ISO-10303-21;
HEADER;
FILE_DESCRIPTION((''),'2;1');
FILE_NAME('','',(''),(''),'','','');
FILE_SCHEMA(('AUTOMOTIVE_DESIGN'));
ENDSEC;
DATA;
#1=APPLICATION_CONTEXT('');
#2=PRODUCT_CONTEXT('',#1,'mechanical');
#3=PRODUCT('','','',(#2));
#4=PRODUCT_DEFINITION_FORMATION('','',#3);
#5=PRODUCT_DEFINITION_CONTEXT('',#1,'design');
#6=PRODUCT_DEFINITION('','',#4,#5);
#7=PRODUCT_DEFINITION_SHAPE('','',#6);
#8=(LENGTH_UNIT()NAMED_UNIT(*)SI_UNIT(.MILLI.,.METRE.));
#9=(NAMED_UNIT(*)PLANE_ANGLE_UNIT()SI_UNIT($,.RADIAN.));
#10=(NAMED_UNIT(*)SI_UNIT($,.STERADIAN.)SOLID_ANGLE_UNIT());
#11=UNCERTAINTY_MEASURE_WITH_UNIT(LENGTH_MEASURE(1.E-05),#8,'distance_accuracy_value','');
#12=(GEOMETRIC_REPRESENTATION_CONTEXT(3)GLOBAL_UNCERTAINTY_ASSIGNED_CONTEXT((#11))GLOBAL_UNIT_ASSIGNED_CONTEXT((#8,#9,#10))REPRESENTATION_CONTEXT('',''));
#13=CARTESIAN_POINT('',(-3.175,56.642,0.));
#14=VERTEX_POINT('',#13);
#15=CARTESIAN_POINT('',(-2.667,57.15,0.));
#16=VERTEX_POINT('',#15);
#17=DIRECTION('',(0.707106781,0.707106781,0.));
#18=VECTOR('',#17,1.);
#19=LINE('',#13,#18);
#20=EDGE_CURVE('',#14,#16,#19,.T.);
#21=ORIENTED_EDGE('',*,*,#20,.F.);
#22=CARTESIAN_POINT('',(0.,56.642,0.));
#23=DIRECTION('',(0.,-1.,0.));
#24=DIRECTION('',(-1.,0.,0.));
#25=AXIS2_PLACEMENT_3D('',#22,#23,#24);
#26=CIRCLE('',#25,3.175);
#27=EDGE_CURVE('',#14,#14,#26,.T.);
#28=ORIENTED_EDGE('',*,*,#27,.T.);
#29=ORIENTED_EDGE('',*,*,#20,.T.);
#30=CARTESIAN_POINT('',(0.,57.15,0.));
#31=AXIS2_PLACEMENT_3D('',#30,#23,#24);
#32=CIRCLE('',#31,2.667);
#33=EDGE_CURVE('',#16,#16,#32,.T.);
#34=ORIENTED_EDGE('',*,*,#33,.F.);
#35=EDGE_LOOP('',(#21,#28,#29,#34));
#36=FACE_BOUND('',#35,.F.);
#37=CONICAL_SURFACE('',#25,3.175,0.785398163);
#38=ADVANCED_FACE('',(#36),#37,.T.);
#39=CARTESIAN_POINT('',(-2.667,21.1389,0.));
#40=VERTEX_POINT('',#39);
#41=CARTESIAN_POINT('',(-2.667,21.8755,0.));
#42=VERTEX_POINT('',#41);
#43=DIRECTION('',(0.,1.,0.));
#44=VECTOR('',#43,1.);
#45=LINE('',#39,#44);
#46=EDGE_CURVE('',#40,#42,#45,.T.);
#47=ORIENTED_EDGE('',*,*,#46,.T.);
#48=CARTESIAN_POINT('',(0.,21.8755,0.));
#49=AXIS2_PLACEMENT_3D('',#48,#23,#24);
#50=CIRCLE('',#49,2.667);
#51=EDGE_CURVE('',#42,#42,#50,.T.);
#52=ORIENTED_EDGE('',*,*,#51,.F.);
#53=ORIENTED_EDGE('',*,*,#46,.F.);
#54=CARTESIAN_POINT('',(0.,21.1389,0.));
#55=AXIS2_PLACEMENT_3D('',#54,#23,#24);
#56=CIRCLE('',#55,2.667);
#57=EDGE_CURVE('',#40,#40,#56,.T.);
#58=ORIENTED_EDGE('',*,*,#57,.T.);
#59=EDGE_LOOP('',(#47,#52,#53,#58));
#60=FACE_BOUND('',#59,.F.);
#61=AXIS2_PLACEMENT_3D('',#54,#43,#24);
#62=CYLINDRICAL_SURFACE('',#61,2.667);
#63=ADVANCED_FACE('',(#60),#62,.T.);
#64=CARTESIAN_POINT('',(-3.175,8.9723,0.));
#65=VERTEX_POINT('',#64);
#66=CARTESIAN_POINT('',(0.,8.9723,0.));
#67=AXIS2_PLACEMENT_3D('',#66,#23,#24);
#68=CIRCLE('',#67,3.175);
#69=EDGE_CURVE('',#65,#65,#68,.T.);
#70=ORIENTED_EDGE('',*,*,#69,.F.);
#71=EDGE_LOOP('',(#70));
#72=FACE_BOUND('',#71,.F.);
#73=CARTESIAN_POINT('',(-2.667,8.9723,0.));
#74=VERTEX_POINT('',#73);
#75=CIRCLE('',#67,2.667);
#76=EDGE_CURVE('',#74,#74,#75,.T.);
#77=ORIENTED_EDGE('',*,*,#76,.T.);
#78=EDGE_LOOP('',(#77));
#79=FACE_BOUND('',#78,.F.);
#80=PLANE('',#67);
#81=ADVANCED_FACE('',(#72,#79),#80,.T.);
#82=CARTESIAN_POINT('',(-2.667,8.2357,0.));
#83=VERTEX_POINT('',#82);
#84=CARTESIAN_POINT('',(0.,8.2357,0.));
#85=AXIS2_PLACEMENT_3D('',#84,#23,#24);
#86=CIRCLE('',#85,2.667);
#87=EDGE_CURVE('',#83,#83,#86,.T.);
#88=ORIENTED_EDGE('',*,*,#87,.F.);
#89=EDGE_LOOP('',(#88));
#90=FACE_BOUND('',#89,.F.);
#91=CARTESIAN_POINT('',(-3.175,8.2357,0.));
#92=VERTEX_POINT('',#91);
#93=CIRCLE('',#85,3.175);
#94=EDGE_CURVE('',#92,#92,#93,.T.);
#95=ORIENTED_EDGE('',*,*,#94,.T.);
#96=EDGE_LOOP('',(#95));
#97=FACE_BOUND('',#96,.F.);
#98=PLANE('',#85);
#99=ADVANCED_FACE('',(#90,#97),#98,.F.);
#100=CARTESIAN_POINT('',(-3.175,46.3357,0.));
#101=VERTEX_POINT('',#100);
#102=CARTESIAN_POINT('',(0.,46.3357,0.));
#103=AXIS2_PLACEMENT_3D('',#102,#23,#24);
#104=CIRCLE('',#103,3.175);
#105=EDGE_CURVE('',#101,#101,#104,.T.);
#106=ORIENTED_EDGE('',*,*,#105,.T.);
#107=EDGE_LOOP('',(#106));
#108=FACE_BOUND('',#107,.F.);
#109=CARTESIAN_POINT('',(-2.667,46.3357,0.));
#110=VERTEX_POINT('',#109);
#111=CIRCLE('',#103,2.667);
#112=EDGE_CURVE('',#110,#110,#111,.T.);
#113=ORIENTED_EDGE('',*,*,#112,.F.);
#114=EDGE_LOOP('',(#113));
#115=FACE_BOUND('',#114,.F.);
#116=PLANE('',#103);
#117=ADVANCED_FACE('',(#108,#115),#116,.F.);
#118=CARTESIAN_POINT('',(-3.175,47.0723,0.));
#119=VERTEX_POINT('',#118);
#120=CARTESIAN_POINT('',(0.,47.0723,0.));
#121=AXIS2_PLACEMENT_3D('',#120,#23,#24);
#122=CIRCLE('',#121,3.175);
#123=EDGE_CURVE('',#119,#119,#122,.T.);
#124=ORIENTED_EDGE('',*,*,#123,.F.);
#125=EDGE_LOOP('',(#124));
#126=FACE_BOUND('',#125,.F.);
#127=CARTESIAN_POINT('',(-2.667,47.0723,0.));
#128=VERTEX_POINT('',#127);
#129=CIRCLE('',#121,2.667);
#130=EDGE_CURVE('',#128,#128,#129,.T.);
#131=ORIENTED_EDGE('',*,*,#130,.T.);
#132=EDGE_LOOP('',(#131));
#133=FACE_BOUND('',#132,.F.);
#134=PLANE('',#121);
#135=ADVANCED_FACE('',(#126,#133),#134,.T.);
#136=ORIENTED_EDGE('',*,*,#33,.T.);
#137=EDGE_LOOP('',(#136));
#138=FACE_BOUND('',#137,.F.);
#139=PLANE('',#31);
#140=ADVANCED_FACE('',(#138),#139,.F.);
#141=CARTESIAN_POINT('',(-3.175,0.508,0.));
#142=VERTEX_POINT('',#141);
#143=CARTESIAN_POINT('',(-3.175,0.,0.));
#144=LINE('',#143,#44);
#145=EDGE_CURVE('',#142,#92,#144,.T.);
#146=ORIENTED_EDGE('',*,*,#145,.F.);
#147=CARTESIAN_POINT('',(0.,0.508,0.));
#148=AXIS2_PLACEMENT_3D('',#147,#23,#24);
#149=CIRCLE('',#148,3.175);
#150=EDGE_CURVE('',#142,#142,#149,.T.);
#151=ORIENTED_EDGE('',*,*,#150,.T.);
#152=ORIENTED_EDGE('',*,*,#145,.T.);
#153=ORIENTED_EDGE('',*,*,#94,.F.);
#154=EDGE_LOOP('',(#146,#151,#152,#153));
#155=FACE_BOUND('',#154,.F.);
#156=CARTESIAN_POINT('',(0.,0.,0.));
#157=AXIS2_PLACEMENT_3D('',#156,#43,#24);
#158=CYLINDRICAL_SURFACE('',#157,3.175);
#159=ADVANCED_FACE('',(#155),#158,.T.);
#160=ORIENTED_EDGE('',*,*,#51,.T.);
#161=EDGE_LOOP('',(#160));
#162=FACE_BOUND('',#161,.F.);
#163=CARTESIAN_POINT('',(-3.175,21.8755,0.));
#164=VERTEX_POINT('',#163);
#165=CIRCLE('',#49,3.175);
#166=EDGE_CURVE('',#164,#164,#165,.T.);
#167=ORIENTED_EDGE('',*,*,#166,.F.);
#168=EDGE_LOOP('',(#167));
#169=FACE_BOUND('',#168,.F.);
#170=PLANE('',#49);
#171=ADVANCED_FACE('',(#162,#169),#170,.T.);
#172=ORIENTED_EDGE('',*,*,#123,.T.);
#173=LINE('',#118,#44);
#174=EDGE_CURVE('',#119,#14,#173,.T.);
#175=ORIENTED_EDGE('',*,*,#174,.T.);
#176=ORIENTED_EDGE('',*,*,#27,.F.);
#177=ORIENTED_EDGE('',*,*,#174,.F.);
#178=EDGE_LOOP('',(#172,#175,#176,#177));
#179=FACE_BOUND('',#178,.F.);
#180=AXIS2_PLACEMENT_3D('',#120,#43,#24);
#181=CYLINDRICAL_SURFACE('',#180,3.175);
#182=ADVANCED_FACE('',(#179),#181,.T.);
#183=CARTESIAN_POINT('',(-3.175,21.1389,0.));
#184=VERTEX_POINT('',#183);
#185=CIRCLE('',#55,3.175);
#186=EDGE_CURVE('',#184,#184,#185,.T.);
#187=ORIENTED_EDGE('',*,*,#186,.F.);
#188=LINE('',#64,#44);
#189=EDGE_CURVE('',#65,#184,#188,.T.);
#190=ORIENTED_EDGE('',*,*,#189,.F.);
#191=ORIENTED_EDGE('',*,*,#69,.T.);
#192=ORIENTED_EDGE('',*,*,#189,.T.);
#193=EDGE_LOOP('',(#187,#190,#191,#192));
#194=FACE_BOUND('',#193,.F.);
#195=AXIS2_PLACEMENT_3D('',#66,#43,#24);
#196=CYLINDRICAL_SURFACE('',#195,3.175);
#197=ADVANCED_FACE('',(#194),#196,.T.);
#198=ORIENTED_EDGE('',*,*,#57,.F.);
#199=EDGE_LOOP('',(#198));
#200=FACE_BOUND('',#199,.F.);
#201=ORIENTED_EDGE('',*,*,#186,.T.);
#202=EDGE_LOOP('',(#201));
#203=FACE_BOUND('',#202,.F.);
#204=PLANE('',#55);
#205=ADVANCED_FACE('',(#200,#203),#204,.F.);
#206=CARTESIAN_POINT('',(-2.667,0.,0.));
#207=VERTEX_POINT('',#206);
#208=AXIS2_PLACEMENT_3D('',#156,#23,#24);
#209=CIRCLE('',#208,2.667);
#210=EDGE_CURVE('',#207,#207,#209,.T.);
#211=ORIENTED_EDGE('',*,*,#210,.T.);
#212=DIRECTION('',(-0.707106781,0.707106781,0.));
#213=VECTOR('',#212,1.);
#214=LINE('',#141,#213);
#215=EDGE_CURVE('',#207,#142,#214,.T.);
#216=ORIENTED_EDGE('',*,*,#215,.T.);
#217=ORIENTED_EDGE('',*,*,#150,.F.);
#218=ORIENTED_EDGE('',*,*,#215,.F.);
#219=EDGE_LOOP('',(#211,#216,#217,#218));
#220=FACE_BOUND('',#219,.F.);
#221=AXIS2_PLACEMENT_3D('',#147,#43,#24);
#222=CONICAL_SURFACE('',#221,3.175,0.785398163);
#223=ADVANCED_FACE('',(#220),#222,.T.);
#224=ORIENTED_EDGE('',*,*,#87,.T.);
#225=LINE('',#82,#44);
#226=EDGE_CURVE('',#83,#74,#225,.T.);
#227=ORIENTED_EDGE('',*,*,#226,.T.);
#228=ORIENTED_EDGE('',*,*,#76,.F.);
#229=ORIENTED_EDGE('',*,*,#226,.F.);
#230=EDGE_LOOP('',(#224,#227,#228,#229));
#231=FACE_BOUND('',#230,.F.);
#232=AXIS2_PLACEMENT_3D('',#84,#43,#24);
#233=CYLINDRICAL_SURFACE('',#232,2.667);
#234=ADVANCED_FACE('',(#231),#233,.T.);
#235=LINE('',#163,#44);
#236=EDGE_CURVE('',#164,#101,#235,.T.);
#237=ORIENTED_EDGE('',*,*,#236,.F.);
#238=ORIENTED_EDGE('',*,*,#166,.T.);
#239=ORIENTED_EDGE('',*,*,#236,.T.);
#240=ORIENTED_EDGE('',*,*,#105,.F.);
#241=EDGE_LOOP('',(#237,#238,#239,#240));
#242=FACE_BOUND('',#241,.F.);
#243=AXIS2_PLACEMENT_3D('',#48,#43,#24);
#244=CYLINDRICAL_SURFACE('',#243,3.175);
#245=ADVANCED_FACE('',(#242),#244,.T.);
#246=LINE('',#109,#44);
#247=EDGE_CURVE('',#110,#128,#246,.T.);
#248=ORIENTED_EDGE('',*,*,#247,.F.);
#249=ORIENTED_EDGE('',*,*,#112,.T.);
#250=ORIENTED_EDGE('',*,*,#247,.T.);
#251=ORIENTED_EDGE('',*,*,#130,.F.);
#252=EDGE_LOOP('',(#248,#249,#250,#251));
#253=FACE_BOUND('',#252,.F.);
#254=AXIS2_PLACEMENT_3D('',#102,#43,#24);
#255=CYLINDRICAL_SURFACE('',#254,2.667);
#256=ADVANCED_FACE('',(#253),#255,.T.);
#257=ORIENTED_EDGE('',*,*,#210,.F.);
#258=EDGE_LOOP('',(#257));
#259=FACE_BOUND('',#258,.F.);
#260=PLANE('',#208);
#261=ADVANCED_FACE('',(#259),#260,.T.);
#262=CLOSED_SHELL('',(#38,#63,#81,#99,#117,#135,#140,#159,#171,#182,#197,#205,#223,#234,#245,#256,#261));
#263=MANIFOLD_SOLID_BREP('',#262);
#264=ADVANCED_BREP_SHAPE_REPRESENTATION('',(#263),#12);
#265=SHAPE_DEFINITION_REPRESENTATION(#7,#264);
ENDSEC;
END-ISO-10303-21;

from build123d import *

# Parameters (mm, degrees)
CHAMFER1_SIZE = 0.508


with BuildPart() as part:
    # Sketch1 → Revolve1 (revolve)
    with BuildSketch(Plane.XY):
        Polygon((-3.175, 47.0723), (-3.175, 57.15), (0, 57.15), (0, 0), (-3.175, 0), (-3.175, 8.2357), (-2.667, 8.2357), (-2.667, 8.9723), (-3.175, 8.9723), (-3.175, 21.1389), (-2.667, 21.1389), (-2.667, 21.8755), (-3.175, 21.8755), (-3.175, 46.3357), (-2.667, 46.3357), (-2.667, 47.0723), align=None)
    revolve(axis=Axis((0, 0, 0), (0, -1, 0)))

    # Chamfer1
    chamfer1_edges = [part.edges().sort_by_distance(p)[0] for p in [
        (3.175, 0, 0),
        (3.175, 57.15, 0),
    ]]
    chamfer(chamfer1_edges, length=CHAMFER1_SIZE)


solid = part.part
